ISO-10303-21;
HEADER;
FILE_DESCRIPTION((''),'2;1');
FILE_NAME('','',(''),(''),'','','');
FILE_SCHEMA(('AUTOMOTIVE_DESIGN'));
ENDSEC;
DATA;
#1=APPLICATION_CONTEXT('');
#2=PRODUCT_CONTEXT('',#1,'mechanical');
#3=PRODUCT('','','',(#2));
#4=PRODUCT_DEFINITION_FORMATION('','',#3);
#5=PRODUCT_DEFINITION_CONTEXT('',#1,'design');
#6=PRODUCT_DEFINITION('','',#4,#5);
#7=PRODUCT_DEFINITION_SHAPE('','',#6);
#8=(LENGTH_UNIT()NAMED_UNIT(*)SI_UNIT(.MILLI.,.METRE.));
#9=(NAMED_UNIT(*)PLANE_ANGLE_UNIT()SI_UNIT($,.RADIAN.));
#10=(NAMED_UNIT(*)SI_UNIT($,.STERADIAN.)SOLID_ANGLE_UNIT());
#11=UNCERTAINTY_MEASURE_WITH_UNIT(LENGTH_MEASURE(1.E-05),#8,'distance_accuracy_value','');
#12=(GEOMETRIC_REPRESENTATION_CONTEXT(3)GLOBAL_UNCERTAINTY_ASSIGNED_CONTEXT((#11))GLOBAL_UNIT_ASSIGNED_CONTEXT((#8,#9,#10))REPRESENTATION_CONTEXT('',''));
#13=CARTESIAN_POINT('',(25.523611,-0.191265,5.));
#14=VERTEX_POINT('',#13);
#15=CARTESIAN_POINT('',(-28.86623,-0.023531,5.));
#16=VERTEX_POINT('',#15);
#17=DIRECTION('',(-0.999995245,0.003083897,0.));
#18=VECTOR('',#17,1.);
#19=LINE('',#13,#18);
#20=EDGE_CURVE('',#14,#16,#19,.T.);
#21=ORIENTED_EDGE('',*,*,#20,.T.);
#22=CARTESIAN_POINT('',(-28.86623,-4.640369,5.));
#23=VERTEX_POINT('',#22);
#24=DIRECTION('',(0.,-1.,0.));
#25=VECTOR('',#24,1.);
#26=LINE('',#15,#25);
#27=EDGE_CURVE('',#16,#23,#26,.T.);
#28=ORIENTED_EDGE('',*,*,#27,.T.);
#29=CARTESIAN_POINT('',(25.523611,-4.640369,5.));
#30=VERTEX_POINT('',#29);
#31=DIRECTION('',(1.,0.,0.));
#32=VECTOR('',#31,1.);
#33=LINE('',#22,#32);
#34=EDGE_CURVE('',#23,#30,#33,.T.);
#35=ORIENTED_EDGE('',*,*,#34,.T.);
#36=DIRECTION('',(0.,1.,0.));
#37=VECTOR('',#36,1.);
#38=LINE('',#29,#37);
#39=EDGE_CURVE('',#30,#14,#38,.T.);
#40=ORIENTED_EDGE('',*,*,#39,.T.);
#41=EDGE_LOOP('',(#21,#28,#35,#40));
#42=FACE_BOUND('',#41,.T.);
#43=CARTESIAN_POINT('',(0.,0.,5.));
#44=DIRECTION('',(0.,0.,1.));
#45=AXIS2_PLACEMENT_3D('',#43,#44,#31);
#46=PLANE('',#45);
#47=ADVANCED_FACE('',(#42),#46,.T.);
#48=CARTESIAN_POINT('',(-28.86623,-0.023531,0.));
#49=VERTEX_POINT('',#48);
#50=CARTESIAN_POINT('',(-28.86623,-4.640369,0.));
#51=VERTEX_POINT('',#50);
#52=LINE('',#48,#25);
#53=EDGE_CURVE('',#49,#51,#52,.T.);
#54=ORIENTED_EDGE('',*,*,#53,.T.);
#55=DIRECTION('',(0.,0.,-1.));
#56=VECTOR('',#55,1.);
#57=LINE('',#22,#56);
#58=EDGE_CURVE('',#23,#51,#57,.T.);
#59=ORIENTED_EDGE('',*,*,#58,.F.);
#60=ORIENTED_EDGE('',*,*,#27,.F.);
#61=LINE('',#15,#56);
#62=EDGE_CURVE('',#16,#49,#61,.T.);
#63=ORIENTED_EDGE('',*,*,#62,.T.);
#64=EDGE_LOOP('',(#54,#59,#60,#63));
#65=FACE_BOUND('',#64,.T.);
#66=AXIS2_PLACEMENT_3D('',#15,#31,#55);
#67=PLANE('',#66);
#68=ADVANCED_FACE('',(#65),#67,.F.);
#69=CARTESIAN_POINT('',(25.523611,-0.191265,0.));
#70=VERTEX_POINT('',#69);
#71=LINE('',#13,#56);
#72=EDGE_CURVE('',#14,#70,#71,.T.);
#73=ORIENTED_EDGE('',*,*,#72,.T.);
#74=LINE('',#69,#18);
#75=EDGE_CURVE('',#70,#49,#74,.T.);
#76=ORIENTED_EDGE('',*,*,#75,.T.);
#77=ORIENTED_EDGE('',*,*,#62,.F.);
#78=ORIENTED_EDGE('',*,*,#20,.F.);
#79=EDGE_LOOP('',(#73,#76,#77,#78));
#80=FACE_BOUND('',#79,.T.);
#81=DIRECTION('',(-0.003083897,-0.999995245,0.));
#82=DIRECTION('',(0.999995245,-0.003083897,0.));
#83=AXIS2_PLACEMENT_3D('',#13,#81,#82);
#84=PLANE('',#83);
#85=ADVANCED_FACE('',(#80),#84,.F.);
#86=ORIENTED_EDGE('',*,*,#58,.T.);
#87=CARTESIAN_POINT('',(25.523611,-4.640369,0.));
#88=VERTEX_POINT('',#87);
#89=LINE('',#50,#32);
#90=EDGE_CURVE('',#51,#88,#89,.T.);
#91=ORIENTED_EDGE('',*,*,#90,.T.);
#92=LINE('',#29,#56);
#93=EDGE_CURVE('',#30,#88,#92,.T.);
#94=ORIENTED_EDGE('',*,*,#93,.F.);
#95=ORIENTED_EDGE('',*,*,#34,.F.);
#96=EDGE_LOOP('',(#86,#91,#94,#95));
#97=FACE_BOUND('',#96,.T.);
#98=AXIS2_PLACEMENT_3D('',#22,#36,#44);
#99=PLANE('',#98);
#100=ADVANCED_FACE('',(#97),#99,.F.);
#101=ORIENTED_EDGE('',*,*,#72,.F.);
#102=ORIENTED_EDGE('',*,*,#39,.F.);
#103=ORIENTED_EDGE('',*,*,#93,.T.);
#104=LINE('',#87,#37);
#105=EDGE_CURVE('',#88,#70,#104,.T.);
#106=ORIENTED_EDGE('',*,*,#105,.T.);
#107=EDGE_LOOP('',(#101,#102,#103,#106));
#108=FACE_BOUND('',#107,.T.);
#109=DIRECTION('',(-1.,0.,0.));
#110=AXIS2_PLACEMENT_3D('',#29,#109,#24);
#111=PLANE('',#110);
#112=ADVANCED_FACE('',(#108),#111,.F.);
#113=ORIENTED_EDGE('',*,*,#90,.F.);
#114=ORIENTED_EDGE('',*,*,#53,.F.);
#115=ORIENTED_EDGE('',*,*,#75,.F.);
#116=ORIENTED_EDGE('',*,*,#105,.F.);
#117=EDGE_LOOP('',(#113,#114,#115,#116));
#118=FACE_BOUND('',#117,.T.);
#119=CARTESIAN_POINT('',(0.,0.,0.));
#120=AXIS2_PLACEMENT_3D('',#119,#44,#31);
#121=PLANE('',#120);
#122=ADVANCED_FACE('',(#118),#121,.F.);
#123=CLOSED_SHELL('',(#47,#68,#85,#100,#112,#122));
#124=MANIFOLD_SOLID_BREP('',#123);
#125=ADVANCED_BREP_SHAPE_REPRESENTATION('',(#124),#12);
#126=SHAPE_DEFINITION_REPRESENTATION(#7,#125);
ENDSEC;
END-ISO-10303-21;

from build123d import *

# Parameters (mm, degrees)
BOSS_EXTRUDE1_DEPTH = 5


with BuildPart() as part:
    # Sketch1 → Boss-Extrude1 (new body)
    with BuildSketch(Plane.XY):
        Polygon((-28.866229571, -4.640368621), (25.523611262, -4.640368621), (25.523611262, -0.191264651), (-28.866229571, -0.023531208), align=None)
    extrude(amount=BOSS_EXTRUDE1_DEPTH)


solid = part.part
